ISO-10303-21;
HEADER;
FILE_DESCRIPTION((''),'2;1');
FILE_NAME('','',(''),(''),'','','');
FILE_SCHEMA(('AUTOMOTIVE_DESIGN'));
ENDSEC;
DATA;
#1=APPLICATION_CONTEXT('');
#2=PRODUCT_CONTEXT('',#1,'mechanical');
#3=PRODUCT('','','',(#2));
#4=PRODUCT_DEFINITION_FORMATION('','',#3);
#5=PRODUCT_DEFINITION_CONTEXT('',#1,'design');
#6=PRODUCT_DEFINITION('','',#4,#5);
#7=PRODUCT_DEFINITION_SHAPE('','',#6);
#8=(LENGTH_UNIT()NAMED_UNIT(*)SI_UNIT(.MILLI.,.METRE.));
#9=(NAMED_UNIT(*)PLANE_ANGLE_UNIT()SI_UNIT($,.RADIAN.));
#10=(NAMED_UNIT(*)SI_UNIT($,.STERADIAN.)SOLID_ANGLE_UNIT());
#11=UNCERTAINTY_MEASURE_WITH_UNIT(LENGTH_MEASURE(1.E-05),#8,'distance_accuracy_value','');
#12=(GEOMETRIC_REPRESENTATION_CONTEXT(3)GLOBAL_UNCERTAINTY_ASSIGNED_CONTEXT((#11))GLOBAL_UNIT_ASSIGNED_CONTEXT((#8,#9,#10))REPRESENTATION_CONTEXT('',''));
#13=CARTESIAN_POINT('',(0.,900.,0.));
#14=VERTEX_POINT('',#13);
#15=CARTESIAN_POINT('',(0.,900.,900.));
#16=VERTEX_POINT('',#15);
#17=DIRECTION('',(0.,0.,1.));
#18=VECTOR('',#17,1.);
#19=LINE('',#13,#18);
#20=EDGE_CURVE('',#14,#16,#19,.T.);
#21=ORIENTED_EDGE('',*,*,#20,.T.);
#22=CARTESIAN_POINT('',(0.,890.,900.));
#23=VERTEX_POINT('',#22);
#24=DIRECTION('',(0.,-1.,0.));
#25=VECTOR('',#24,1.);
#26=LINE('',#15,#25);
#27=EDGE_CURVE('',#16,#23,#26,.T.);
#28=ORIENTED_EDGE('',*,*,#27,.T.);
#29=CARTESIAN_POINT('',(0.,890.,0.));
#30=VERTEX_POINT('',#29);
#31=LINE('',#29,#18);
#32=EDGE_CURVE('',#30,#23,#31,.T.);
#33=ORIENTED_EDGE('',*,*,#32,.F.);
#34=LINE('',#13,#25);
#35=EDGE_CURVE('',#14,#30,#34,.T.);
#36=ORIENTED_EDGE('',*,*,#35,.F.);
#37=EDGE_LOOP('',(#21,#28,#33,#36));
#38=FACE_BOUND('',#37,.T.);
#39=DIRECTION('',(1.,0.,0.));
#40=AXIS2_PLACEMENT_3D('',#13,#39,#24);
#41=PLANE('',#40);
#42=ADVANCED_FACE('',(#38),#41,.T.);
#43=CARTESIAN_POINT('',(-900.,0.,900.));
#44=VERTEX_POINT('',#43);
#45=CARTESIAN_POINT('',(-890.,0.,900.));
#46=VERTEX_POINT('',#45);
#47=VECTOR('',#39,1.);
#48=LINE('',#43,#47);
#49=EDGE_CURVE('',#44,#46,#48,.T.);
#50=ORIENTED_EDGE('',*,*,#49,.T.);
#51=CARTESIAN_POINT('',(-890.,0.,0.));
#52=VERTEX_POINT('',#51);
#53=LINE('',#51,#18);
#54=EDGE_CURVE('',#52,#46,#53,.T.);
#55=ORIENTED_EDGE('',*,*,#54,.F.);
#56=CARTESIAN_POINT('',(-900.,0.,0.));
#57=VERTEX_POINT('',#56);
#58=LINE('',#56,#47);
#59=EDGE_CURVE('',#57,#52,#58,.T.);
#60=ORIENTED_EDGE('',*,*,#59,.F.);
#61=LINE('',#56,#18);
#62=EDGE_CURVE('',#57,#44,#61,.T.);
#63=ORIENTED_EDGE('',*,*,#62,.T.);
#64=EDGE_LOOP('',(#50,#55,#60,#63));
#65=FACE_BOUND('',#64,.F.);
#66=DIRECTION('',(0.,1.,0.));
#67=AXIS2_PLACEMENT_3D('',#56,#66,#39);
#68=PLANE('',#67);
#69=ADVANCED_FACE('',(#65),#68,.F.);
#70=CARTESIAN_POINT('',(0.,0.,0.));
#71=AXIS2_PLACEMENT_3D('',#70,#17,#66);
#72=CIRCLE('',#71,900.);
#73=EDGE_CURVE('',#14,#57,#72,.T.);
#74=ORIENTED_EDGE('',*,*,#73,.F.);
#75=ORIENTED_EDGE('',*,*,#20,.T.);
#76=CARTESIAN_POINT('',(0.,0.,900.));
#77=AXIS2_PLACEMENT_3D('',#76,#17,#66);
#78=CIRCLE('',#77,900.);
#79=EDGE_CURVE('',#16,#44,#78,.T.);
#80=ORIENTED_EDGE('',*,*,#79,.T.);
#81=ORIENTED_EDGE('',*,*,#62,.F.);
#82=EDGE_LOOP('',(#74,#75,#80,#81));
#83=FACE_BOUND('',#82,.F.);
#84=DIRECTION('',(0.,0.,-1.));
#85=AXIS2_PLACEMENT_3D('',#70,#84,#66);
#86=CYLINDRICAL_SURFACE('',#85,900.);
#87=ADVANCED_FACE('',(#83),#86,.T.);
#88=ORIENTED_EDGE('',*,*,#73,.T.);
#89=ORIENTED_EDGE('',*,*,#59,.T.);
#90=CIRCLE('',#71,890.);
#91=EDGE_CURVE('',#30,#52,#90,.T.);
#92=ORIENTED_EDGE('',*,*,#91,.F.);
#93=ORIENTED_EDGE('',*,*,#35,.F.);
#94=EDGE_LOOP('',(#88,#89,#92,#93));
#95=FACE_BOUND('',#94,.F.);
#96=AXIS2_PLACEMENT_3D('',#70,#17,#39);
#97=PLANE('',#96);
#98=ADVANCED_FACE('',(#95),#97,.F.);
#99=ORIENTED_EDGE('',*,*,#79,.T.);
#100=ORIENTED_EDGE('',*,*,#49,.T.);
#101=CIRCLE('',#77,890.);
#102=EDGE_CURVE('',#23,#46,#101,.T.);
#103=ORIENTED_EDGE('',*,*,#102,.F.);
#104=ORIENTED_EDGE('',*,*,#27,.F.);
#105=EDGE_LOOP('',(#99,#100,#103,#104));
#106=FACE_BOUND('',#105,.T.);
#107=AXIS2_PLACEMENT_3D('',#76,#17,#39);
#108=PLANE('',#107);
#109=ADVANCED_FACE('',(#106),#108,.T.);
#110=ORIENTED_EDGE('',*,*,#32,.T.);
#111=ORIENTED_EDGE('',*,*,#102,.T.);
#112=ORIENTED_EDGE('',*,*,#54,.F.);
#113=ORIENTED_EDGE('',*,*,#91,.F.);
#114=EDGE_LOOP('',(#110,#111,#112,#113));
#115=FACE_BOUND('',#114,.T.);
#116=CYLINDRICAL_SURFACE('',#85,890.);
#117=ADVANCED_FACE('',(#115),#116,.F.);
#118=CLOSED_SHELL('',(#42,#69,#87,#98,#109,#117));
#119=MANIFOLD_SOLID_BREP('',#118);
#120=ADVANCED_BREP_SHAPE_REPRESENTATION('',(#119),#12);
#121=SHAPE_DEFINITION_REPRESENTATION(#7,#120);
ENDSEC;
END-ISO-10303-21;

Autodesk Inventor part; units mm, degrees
ref_plane "YZ Plane" through (0, 0, 0) normal (1, 0, 0) x (0, 1, 0)
ref_plane "XZ Plane" through (0, 0, 0) normal (0, 1, 0) x (-1, 0, 0)
ref_plane "XY Plane" through (0, 0, 0) normal (0, 0, 1) x (1, 0, 0)
sketch "Sketch1" plane through (0, 0, 0) normal (0, 0, 1) x (1, 0, 0)
  arc A0 (0, 900) -> (-900, 0) centre (0, 0) ccw
  arc A1 (0, 890) -> (-890, 0) centre (0, 0) ccw
  line L0 (-900, 0) -> (-890, 0)
  line L1 (0, 900) -> (0, 890)
  dimension "d0" = 10
  dimension "d1" = 900
  dimension "d2" = 0
  dimension "d3" = 0
extrude "Extrusion1" add sketch "Sketch1" along normal blind 900
equation "\"d0\" = thickness"
equation "\"d1\" = cover_height_main"
equation "\"d4\" = cover_mountHole_xSpacing"
equation "\"cover_height_main\" = 900"
equation "\"cover_mountHole_xSpacing\" = 900"
equation "\"hoop_angle_z\" = 45deg"
equation "\"hoop_bearing_length\" = 5deg"
equation "\"hoop_cable_diam\" = 5"
equation "\"hoop_cable_pulley_diam\" = 22"
equation "\"rack_tooth_addendum\" = 5"
equation "\"rack_tooth_dedendum\" = 5"
equation "\"rack_tooth_thickness\" = 5"
equation "\"secure_arm_angle\" = 20deg"
equation "\"secure_arm_hold_length\" = 35"
equation "\"secure_arm_radii\" = 9"
equation "\"support_baseClamp_platformLengthBuffer\" = 35"
equation "\"support_baseClamp_platformThickness\" = 15"
equation "\"support_baseClamp_platformWidthBuffer\" = 0"
equation "\"support_baseClamp_sleeveHoleDiameter\" = 12"
equation "\"support_baseClamp_sleeveSweepTerminationAngle\" = 55deg"
equation "\"support_baseClamp_thickness\" = 8"
equation "\"support_frame_endHoleBuffer\" = 25"
equation "\"support_frame_squareBarFillet\" = 2"
equation "\"support_frame_squareBarThickness\" = 5"
equation "\"hoop_tabs_thickness\" = 6"
equation "\"hoop_tabs_hole\" = 4"
equation "\"wheelchair_deployed_width\" = 635"
equation "\"wheelchair_deployed_length\" = 1067"
equation "\"wheelchair_deployed_height\" = 914"
equation "\"thickness\" = 10"
properties part number "cover2_shell_large"
